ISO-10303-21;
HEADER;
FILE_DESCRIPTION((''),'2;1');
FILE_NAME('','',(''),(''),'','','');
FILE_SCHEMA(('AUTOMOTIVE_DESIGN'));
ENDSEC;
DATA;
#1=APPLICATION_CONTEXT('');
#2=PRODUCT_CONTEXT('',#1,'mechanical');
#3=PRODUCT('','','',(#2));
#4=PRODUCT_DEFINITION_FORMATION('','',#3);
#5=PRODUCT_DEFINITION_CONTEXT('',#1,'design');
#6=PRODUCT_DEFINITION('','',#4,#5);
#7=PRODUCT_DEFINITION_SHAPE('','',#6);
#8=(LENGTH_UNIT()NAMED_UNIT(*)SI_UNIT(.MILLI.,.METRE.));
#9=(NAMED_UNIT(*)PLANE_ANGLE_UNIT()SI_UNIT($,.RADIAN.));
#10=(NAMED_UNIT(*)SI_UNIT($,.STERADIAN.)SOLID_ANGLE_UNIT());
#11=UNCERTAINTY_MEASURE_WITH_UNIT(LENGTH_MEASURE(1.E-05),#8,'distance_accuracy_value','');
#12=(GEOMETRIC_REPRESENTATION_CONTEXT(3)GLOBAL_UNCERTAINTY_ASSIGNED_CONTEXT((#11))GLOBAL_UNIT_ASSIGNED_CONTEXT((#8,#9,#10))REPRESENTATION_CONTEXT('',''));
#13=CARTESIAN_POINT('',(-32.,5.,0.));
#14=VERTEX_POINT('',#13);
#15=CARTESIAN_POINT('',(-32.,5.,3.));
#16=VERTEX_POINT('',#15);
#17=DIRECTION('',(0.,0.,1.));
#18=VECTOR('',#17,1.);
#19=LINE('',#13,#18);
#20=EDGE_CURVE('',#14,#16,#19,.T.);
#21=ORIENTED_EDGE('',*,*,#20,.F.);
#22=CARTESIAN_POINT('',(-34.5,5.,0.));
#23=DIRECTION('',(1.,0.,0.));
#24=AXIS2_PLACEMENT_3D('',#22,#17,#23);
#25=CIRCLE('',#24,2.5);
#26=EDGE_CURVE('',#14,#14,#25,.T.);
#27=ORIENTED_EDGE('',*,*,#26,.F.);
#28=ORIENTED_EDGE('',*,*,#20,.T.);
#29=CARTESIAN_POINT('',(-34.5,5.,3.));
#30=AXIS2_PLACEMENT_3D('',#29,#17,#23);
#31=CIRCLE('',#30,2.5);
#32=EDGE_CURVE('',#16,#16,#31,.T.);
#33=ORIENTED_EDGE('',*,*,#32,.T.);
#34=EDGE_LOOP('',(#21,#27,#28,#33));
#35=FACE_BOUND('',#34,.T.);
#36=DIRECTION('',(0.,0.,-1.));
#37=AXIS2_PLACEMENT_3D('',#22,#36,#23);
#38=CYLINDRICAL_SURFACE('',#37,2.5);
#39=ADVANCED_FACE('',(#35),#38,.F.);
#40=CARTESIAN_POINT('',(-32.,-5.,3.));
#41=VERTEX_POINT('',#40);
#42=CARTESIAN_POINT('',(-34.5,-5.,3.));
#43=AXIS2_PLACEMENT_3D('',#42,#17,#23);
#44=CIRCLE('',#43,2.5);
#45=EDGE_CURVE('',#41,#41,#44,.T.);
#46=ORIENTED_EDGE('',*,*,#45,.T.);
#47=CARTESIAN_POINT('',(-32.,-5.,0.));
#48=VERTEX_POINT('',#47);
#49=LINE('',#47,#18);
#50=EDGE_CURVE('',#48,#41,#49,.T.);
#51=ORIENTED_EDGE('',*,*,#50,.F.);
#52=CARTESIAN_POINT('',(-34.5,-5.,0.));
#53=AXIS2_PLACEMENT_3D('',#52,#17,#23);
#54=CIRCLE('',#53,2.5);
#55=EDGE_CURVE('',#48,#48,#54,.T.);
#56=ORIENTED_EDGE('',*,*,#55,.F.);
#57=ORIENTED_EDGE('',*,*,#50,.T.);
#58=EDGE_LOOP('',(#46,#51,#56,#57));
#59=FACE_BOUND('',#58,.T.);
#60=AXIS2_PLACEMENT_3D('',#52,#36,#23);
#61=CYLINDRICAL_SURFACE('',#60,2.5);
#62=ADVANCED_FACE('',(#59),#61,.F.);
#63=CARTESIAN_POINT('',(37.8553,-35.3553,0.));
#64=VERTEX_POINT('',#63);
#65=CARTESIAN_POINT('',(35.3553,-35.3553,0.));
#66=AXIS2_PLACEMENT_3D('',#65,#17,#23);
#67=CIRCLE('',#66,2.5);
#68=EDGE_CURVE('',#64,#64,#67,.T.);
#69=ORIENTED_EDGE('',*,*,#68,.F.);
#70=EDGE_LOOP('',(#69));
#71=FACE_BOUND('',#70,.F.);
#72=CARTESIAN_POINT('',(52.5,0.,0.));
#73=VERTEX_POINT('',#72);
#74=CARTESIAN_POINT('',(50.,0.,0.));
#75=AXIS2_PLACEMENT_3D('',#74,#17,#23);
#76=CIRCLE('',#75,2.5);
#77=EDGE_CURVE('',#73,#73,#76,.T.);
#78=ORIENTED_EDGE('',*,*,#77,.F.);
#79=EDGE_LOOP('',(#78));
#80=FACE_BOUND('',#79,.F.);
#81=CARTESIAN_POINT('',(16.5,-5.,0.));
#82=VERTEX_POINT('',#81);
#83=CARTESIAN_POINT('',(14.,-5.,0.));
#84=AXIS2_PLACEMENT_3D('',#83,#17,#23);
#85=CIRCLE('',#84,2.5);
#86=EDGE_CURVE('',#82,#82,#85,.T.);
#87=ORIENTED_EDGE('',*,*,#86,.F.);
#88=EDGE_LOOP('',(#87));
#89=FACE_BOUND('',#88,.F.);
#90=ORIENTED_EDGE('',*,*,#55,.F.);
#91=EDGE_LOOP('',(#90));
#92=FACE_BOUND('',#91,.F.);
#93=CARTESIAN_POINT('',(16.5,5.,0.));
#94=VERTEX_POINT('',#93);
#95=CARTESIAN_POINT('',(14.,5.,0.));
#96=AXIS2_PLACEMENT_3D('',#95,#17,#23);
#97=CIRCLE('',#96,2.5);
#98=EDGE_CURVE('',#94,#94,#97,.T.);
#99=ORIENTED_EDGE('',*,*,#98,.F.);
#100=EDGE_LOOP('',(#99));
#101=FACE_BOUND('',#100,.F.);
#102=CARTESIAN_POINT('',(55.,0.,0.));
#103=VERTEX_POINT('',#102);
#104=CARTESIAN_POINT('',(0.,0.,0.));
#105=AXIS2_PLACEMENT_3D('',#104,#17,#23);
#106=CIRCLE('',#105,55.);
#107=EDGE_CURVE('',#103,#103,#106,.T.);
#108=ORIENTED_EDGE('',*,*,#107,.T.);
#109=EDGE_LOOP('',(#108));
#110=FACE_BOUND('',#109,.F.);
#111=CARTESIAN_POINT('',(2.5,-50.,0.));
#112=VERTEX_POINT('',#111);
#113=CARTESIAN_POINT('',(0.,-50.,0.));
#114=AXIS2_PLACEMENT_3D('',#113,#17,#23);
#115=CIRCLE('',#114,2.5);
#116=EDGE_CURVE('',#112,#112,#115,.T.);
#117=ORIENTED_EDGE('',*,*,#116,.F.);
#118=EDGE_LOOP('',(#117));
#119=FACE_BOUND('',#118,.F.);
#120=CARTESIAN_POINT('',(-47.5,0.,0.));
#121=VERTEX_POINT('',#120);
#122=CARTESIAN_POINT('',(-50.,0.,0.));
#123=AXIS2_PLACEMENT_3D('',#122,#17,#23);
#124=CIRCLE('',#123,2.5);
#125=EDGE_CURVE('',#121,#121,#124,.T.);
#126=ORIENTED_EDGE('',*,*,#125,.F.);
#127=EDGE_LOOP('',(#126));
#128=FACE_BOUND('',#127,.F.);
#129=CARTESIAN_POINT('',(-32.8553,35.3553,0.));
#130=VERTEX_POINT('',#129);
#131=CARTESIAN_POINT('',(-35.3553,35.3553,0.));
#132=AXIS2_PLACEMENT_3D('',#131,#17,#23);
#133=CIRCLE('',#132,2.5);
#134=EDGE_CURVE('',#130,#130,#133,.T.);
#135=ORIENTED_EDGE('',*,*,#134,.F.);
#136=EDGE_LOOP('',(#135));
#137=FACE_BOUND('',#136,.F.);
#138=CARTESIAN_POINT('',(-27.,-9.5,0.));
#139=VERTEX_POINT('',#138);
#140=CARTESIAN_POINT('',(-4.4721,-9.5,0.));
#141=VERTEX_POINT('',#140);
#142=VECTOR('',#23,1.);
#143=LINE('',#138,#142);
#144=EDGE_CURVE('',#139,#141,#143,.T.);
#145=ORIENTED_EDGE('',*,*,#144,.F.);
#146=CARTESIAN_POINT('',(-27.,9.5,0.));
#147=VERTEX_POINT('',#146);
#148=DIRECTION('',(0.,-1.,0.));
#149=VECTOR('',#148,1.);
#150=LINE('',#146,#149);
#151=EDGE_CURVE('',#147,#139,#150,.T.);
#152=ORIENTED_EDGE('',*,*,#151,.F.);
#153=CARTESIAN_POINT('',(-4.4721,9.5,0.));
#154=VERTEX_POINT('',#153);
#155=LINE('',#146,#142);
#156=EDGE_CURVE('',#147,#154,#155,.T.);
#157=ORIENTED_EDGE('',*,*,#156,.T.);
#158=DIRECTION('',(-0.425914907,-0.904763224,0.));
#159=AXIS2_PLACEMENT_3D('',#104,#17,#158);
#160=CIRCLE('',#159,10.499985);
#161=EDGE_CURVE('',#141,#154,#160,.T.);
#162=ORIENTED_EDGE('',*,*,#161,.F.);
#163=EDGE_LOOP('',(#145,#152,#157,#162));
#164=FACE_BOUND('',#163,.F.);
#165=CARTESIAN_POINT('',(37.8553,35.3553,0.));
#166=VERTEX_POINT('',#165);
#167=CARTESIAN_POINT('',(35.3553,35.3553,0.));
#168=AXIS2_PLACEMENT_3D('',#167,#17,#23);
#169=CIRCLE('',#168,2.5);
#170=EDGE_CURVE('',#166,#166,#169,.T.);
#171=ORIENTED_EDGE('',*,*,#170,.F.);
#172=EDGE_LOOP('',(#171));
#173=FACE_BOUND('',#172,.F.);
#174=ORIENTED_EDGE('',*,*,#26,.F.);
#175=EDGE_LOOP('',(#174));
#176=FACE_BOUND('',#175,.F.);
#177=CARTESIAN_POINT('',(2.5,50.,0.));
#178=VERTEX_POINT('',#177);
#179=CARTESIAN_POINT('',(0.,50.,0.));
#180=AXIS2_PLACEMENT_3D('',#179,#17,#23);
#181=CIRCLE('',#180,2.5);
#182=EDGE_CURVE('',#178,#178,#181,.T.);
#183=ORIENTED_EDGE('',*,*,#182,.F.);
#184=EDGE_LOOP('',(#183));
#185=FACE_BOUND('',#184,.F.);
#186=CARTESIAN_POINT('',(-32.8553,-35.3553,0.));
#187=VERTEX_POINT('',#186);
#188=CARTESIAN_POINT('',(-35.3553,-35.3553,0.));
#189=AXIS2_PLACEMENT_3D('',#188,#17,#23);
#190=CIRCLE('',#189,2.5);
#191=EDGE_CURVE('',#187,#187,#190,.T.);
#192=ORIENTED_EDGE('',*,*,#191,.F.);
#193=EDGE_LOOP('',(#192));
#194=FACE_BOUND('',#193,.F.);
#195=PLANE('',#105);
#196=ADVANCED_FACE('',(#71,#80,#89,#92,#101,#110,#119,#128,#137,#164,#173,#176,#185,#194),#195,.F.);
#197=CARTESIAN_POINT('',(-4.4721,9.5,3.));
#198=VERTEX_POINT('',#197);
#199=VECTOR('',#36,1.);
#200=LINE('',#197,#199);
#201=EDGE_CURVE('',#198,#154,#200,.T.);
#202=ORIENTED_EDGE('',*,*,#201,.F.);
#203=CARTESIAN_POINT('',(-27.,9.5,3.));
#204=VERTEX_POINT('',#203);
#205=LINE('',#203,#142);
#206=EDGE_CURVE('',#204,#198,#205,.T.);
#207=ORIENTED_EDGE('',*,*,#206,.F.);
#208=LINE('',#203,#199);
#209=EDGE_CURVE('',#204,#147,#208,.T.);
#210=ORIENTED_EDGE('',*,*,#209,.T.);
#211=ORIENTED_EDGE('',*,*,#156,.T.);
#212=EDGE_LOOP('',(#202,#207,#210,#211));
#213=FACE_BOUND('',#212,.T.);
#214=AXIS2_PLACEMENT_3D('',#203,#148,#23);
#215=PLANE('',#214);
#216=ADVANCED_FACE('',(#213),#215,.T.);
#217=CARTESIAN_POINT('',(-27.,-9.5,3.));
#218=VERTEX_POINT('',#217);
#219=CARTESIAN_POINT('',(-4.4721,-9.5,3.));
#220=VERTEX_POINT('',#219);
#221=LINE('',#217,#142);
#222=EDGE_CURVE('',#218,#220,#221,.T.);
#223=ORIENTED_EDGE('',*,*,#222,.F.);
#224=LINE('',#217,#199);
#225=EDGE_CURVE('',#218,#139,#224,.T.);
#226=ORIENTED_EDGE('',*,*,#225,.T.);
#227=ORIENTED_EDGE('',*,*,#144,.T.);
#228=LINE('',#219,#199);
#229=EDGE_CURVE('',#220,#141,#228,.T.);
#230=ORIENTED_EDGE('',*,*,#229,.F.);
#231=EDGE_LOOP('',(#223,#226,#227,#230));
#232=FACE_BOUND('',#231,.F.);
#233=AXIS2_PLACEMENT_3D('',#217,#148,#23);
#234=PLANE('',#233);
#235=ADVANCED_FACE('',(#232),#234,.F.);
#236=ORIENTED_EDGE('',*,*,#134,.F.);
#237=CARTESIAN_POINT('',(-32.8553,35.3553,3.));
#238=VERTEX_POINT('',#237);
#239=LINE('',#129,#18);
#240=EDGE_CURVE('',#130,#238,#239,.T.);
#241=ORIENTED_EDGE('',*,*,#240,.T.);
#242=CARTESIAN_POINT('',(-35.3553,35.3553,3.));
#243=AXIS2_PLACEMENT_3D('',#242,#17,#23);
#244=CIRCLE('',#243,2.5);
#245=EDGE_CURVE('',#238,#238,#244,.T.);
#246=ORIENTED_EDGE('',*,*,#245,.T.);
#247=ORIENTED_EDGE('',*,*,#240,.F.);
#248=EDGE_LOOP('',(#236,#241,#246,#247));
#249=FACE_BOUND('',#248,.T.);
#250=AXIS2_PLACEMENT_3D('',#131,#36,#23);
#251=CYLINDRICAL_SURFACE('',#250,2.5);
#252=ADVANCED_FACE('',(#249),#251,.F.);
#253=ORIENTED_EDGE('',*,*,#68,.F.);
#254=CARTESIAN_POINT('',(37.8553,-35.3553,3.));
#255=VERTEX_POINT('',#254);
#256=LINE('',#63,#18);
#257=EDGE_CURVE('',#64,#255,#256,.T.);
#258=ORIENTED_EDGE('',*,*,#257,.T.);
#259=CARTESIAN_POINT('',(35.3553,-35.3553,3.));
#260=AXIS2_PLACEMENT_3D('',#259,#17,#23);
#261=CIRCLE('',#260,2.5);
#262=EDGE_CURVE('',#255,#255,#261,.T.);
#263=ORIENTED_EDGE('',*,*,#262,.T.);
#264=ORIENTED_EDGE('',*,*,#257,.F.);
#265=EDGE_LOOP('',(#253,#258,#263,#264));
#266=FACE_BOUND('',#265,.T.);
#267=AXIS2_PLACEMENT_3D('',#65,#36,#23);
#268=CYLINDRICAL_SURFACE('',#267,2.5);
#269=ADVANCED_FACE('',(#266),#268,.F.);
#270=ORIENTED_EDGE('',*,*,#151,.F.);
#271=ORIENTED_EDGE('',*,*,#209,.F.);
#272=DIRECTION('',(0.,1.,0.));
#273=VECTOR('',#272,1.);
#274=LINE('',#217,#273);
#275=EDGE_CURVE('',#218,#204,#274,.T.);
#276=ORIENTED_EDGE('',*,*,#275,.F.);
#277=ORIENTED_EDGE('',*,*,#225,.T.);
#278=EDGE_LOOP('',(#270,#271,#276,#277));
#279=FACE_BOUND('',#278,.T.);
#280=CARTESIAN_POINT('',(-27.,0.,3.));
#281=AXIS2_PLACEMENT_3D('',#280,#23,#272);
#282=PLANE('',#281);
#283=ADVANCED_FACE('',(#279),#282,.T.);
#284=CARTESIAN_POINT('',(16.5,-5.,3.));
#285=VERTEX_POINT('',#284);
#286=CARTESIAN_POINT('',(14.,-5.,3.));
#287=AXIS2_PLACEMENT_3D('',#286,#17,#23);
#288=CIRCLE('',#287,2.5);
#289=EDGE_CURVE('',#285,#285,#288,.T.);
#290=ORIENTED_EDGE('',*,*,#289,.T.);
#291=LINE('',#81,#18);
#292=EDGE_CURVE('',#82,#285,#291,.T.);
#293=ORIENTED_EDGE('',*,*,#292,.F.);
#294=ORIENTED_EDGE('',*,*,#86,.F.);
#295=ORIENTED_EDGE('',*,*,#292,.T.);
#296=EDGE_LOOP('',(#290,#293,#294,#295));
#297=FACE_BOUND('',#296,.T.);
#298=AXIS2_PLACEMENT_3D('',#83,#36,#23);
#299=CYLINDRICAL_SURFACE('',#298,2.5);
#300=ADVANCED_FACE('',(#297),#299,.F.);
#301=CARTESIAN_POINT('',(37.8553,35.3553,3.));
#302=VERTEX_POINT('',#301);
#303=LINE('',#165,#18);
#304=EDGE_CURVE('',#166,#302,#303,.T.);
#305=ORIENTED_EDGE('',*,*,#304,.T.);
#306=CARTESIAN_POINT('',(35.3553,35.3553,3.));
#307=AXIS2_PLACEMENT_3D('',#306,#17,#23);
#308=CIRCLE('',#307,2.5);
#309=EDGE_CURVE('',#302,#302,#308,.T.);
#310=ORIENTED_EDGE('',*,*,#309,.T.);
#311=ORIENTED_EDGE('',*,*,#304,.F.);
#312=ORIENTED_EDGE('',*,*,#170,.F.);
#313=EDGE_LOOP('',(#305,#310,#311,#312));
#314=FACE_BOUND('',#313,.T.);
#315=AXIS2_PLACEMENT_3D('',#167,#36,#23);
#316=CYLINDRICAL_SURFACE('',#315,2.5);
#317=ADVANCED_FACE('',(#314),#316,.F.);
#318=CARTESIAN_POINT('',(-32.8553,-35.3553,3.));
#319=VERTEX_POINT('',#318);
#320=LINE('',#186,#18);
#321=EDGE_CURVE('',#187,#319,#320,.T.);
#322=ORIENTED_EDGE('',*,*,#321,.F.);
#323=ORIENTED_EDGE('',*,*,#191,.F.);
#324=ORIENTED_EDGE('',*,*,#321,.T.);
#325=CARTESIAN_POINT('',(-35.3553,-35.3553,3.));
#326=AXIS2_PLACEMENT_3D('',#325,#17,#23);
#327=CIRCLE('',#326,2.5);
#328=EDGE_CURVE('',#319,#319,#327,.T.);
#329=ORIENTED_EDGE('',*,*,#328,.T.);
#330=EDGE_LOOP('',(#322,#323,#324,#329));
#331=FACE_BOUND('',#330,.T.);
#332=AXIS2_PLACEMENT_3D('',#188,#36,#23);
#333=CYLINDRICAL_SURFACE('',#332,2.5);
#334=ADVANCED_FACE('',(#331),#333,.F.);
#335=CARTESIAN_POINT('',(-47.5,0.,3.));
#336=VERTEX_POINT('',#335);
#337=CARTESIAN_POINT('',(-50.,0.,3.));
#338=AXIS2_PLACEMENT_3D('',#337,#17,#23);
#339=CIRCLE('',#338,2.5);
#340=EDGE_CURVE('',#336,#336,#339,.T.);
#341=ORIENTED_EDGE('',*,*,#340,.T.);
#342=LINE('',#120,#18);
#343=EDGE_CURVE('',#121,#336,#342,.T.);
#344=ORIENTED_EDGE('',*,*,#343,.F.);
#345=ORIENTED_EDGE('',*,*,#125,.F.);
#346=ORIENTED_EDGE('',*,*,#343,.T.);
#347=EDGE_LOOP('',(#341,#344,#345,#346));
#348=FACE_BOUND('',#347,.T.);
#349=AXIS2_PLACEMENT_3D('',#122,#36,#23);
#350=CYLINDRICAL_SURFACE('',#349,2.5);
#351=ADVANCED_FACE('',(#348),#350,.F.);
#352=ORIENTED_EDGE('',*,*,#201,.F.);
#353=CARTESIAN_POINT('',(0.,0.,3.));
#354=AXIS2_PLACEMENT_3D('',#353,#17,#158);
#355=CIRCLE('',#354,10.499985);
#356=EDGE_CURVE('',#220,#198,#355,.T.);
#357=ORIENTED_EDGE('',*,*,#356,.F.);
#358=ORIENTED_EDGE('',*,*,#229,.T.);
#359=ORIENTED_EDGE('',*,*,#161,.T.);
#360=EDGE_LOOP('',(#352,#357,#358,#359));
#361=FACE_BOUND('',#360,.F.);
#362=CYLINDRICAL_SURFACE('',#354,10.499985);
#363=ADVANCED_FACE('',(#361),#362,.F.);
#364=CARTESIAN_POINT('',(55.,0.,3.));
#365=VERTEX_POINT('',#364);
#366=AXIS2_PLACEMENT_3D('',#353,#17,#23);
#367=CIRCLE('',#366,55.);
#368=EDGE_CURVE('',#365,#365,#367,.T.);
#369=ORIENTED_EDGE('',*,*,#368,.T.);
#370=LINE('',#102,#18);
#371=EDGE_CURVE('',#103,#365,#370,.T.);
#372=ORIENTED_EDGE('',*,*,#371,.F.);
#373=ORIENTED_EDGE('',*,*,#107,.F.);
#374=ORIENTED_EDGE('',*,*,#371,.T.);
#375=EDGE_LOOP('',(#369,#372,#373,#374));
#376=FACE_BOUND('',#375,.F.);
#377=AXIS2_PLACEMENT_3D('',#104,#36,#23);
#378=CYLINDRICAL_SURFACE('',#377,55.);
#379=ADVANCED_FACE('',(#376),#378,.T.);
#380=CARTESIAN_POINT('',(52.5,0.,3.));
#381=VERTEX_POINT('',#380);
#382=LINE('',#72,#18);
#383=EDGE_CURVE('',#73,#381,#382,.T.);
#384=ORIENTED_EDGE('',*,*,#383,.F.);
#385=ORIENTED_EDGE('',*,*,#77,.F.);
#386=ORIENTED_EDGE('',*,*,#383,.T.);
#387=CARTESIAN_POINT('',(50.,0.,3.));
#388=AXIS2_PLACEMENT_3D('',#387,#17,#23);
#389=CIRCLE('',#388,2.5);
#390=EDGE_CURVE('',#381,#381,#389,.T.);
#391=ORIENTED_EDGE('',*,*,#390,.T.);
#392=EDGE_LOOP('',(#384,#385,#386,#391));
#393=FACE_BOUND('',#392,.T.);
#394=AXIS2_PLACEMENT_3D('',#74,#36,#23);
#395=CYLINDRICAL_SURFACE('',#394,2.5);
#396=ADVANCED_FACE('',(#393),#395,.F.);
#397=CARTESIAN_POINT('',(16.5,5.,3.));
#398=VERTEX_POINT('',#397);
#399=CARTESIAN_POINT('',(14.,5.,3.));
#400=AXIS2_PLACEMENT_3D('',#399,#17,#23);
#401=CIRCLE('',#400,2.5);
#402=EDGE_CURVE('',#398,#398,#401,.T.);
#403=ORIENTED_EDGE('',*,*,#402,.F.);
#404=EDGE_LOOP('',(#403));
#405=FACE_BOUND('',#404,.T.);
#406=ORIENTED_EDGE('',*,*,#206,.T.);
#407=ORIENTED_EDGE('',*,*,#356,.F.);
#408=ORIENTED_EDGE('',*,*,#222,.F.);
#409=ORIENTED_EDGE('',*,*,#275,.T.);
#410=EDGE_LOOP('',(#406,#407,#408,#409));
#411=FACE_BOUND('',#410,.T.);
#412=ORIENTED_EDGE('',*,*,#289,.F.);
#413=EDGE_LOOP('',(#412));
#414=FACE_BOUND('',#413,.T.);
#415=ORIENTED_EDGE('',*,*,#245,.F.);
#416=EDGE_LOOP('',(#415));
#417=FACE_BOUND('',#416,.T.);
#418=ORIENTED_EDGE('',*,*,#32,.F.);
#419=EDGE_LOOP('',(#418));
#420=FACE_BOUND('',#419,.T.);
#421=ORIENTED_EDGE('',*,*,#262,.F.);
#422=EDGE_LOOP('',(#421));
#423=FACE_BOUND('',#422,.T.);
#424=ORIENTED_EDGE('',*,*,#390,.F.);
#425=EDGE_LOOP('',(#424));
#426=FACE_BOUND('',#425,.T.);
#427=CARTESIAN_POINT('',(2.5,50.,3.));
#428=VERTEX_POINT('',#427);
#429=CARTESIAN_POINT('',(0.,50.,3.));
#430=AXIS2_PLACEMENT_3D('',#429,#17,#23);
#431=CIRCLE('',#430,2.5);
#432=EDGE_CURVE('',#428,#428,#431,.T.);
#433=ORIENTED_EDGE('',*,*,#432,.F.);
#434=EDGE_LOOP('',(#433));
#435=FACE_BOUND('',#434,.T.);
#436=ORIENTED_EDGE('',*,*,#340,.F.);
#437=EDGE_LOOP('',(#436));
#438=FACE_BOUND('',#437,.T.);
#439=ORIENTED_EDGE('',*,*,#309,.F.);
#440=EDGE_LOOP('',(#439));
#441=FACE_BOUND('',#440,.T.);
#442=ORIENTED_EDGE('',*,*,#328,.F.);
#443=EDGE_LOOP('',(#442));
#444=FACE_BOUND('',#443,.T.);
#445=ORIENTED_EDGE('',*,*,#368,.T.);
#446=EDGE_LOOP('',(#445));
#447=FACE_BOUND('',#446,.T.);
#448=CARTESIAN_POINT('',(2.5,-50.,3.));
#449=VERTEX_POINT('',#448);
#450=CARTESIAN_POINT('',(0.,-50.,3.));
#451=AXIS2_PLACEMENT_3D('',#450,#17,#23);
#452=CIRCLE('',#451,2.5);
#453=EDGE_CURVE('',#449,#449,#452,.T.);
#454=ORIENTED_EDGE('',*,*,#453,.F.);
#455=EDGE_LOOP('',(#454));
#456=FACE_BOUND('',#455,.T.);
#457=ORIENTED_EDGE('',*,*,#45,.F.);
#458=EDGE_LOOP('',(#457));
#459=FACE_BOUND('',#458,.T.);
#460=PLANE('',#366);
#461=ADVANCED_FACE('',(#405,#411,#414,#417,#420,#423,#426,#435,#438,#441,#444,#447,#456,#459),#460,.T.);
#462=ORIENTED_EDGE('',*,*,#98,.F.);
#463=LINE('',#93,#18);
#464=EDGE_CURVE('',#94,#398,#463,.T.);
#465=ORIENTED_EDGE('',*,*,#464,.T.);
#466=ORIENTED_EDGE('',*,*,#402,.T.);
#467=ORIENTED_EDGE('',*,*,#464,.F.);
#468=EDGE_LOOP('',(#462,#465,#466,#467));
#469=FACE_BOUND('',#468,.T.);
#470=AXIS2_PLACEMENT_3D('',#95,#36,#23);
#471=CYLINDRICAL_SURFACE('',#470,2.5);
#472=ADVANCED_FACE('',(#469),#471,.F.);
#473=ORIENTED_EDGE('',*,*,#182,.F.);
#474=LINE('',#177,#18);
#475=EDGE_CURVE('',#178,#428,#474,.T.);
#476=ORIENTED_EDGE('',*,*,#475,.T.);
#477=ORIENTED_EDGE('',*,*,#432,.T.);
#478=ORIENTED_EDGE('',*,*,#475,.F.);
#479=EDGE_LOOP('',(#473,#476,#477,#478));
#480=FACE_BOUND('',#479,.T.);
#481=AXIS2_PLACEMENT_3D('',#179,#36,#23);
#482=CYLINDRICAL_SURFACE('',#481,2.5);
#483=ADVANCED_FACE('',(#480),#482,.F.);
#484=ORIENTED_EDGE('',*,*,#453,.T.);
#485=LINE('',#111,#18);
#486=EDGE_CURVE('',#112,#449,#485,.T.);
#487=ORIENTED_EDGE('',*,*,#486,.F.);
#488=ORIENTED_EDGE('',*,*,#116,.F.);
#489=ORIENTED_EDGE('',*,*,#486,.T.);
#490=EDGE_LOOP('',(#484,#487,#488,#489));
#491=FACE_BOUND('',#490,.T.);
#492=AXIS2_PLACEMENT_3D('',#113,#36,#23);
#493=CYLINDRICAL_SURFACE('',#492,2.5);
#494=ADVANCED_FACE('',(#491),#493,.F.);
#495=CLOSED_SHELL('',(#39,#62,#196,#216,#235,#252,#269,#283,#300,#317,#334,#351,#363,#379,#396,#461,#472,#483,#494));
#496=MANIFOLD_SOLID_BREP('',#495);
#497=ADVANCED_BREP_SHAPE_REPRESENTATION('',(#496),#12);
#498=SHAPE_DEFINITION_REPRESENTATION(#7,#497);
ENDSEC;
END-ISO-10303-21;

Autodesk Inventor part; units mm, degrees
ref_plane "YZ Plane" through (0, 0, 0) normal (1, 0, 0) x (0, 1, 0)
ref_plane "XZ Plane" through (0, 0, 0) normal (0, 1, 0) x (-1, 0, 0)
ref_plane "XY Plane" through (0, 0, 0) normal (0, 0, 1) x (1, 0, 0)
sketch "Boceto1" plane through (0, 0, 0) normal (0, 0, 1) x (1, 0, 0)
  circle A0 centre (0, 0) radius 55
  circle A1 centre (0, 0) radius 6.5
  circle A2 centre (0, 50) radius 2.5
  circle A3 centre (-35.3553, 35.3553) radius 2.5
  circle A4 centre (-50, 0) radius 2.5
  circle A5 centre (-35.3553, -35.3553) radius 2.5
  circle A6 centre (0, -50) radius 2.5
  circle A7 centre (35.3553, -35.3553) radius 2.5
  circle A8 centre (50, 0) radius 2.5
  circle A9 centre (35.3553, 35.3553) radius 2.5
  line L0 (0, 0) -> (14, 0)
  circle A10 centre (14, 5) radius 2.5
  circle A11 centre (14, -5) radius 2.5
  circle A12 centre (-34.5, 5) radius 2.5
  circle A13 centre (-34.5, -5) radius 2.5
  dimension "d7" = 360
extrude "Extrusión1" add sketch "Boceto1" along normal blind 3
sketch "Boceto2" plane through (0, 0, 3) normal (0, 0, 1) x (1, 0, 0)
  point P0 (0, 0)
sketch "Boceto3" plane through (0, 0, 3) normal (0, 0, 1) x (1, 0, 0)
  arc A0 (-4.4721, -9.5) -> (-4.4721, 9.5) centre (0, 0) ccw
  line L0 (-27, 0) -> (-27, -9.5)
  line L1 (-27, -9.5) -> (-27, 9.5)
  line L2 (-27, 9.5) -> (-4.4721, 9.5)
  line L3 (-27, -9.5) -> (-4.4721, -9.5)
extrude "Extrusión2" cut sketch "Boceto3" against normal blind 3
properties part number "Base1"
